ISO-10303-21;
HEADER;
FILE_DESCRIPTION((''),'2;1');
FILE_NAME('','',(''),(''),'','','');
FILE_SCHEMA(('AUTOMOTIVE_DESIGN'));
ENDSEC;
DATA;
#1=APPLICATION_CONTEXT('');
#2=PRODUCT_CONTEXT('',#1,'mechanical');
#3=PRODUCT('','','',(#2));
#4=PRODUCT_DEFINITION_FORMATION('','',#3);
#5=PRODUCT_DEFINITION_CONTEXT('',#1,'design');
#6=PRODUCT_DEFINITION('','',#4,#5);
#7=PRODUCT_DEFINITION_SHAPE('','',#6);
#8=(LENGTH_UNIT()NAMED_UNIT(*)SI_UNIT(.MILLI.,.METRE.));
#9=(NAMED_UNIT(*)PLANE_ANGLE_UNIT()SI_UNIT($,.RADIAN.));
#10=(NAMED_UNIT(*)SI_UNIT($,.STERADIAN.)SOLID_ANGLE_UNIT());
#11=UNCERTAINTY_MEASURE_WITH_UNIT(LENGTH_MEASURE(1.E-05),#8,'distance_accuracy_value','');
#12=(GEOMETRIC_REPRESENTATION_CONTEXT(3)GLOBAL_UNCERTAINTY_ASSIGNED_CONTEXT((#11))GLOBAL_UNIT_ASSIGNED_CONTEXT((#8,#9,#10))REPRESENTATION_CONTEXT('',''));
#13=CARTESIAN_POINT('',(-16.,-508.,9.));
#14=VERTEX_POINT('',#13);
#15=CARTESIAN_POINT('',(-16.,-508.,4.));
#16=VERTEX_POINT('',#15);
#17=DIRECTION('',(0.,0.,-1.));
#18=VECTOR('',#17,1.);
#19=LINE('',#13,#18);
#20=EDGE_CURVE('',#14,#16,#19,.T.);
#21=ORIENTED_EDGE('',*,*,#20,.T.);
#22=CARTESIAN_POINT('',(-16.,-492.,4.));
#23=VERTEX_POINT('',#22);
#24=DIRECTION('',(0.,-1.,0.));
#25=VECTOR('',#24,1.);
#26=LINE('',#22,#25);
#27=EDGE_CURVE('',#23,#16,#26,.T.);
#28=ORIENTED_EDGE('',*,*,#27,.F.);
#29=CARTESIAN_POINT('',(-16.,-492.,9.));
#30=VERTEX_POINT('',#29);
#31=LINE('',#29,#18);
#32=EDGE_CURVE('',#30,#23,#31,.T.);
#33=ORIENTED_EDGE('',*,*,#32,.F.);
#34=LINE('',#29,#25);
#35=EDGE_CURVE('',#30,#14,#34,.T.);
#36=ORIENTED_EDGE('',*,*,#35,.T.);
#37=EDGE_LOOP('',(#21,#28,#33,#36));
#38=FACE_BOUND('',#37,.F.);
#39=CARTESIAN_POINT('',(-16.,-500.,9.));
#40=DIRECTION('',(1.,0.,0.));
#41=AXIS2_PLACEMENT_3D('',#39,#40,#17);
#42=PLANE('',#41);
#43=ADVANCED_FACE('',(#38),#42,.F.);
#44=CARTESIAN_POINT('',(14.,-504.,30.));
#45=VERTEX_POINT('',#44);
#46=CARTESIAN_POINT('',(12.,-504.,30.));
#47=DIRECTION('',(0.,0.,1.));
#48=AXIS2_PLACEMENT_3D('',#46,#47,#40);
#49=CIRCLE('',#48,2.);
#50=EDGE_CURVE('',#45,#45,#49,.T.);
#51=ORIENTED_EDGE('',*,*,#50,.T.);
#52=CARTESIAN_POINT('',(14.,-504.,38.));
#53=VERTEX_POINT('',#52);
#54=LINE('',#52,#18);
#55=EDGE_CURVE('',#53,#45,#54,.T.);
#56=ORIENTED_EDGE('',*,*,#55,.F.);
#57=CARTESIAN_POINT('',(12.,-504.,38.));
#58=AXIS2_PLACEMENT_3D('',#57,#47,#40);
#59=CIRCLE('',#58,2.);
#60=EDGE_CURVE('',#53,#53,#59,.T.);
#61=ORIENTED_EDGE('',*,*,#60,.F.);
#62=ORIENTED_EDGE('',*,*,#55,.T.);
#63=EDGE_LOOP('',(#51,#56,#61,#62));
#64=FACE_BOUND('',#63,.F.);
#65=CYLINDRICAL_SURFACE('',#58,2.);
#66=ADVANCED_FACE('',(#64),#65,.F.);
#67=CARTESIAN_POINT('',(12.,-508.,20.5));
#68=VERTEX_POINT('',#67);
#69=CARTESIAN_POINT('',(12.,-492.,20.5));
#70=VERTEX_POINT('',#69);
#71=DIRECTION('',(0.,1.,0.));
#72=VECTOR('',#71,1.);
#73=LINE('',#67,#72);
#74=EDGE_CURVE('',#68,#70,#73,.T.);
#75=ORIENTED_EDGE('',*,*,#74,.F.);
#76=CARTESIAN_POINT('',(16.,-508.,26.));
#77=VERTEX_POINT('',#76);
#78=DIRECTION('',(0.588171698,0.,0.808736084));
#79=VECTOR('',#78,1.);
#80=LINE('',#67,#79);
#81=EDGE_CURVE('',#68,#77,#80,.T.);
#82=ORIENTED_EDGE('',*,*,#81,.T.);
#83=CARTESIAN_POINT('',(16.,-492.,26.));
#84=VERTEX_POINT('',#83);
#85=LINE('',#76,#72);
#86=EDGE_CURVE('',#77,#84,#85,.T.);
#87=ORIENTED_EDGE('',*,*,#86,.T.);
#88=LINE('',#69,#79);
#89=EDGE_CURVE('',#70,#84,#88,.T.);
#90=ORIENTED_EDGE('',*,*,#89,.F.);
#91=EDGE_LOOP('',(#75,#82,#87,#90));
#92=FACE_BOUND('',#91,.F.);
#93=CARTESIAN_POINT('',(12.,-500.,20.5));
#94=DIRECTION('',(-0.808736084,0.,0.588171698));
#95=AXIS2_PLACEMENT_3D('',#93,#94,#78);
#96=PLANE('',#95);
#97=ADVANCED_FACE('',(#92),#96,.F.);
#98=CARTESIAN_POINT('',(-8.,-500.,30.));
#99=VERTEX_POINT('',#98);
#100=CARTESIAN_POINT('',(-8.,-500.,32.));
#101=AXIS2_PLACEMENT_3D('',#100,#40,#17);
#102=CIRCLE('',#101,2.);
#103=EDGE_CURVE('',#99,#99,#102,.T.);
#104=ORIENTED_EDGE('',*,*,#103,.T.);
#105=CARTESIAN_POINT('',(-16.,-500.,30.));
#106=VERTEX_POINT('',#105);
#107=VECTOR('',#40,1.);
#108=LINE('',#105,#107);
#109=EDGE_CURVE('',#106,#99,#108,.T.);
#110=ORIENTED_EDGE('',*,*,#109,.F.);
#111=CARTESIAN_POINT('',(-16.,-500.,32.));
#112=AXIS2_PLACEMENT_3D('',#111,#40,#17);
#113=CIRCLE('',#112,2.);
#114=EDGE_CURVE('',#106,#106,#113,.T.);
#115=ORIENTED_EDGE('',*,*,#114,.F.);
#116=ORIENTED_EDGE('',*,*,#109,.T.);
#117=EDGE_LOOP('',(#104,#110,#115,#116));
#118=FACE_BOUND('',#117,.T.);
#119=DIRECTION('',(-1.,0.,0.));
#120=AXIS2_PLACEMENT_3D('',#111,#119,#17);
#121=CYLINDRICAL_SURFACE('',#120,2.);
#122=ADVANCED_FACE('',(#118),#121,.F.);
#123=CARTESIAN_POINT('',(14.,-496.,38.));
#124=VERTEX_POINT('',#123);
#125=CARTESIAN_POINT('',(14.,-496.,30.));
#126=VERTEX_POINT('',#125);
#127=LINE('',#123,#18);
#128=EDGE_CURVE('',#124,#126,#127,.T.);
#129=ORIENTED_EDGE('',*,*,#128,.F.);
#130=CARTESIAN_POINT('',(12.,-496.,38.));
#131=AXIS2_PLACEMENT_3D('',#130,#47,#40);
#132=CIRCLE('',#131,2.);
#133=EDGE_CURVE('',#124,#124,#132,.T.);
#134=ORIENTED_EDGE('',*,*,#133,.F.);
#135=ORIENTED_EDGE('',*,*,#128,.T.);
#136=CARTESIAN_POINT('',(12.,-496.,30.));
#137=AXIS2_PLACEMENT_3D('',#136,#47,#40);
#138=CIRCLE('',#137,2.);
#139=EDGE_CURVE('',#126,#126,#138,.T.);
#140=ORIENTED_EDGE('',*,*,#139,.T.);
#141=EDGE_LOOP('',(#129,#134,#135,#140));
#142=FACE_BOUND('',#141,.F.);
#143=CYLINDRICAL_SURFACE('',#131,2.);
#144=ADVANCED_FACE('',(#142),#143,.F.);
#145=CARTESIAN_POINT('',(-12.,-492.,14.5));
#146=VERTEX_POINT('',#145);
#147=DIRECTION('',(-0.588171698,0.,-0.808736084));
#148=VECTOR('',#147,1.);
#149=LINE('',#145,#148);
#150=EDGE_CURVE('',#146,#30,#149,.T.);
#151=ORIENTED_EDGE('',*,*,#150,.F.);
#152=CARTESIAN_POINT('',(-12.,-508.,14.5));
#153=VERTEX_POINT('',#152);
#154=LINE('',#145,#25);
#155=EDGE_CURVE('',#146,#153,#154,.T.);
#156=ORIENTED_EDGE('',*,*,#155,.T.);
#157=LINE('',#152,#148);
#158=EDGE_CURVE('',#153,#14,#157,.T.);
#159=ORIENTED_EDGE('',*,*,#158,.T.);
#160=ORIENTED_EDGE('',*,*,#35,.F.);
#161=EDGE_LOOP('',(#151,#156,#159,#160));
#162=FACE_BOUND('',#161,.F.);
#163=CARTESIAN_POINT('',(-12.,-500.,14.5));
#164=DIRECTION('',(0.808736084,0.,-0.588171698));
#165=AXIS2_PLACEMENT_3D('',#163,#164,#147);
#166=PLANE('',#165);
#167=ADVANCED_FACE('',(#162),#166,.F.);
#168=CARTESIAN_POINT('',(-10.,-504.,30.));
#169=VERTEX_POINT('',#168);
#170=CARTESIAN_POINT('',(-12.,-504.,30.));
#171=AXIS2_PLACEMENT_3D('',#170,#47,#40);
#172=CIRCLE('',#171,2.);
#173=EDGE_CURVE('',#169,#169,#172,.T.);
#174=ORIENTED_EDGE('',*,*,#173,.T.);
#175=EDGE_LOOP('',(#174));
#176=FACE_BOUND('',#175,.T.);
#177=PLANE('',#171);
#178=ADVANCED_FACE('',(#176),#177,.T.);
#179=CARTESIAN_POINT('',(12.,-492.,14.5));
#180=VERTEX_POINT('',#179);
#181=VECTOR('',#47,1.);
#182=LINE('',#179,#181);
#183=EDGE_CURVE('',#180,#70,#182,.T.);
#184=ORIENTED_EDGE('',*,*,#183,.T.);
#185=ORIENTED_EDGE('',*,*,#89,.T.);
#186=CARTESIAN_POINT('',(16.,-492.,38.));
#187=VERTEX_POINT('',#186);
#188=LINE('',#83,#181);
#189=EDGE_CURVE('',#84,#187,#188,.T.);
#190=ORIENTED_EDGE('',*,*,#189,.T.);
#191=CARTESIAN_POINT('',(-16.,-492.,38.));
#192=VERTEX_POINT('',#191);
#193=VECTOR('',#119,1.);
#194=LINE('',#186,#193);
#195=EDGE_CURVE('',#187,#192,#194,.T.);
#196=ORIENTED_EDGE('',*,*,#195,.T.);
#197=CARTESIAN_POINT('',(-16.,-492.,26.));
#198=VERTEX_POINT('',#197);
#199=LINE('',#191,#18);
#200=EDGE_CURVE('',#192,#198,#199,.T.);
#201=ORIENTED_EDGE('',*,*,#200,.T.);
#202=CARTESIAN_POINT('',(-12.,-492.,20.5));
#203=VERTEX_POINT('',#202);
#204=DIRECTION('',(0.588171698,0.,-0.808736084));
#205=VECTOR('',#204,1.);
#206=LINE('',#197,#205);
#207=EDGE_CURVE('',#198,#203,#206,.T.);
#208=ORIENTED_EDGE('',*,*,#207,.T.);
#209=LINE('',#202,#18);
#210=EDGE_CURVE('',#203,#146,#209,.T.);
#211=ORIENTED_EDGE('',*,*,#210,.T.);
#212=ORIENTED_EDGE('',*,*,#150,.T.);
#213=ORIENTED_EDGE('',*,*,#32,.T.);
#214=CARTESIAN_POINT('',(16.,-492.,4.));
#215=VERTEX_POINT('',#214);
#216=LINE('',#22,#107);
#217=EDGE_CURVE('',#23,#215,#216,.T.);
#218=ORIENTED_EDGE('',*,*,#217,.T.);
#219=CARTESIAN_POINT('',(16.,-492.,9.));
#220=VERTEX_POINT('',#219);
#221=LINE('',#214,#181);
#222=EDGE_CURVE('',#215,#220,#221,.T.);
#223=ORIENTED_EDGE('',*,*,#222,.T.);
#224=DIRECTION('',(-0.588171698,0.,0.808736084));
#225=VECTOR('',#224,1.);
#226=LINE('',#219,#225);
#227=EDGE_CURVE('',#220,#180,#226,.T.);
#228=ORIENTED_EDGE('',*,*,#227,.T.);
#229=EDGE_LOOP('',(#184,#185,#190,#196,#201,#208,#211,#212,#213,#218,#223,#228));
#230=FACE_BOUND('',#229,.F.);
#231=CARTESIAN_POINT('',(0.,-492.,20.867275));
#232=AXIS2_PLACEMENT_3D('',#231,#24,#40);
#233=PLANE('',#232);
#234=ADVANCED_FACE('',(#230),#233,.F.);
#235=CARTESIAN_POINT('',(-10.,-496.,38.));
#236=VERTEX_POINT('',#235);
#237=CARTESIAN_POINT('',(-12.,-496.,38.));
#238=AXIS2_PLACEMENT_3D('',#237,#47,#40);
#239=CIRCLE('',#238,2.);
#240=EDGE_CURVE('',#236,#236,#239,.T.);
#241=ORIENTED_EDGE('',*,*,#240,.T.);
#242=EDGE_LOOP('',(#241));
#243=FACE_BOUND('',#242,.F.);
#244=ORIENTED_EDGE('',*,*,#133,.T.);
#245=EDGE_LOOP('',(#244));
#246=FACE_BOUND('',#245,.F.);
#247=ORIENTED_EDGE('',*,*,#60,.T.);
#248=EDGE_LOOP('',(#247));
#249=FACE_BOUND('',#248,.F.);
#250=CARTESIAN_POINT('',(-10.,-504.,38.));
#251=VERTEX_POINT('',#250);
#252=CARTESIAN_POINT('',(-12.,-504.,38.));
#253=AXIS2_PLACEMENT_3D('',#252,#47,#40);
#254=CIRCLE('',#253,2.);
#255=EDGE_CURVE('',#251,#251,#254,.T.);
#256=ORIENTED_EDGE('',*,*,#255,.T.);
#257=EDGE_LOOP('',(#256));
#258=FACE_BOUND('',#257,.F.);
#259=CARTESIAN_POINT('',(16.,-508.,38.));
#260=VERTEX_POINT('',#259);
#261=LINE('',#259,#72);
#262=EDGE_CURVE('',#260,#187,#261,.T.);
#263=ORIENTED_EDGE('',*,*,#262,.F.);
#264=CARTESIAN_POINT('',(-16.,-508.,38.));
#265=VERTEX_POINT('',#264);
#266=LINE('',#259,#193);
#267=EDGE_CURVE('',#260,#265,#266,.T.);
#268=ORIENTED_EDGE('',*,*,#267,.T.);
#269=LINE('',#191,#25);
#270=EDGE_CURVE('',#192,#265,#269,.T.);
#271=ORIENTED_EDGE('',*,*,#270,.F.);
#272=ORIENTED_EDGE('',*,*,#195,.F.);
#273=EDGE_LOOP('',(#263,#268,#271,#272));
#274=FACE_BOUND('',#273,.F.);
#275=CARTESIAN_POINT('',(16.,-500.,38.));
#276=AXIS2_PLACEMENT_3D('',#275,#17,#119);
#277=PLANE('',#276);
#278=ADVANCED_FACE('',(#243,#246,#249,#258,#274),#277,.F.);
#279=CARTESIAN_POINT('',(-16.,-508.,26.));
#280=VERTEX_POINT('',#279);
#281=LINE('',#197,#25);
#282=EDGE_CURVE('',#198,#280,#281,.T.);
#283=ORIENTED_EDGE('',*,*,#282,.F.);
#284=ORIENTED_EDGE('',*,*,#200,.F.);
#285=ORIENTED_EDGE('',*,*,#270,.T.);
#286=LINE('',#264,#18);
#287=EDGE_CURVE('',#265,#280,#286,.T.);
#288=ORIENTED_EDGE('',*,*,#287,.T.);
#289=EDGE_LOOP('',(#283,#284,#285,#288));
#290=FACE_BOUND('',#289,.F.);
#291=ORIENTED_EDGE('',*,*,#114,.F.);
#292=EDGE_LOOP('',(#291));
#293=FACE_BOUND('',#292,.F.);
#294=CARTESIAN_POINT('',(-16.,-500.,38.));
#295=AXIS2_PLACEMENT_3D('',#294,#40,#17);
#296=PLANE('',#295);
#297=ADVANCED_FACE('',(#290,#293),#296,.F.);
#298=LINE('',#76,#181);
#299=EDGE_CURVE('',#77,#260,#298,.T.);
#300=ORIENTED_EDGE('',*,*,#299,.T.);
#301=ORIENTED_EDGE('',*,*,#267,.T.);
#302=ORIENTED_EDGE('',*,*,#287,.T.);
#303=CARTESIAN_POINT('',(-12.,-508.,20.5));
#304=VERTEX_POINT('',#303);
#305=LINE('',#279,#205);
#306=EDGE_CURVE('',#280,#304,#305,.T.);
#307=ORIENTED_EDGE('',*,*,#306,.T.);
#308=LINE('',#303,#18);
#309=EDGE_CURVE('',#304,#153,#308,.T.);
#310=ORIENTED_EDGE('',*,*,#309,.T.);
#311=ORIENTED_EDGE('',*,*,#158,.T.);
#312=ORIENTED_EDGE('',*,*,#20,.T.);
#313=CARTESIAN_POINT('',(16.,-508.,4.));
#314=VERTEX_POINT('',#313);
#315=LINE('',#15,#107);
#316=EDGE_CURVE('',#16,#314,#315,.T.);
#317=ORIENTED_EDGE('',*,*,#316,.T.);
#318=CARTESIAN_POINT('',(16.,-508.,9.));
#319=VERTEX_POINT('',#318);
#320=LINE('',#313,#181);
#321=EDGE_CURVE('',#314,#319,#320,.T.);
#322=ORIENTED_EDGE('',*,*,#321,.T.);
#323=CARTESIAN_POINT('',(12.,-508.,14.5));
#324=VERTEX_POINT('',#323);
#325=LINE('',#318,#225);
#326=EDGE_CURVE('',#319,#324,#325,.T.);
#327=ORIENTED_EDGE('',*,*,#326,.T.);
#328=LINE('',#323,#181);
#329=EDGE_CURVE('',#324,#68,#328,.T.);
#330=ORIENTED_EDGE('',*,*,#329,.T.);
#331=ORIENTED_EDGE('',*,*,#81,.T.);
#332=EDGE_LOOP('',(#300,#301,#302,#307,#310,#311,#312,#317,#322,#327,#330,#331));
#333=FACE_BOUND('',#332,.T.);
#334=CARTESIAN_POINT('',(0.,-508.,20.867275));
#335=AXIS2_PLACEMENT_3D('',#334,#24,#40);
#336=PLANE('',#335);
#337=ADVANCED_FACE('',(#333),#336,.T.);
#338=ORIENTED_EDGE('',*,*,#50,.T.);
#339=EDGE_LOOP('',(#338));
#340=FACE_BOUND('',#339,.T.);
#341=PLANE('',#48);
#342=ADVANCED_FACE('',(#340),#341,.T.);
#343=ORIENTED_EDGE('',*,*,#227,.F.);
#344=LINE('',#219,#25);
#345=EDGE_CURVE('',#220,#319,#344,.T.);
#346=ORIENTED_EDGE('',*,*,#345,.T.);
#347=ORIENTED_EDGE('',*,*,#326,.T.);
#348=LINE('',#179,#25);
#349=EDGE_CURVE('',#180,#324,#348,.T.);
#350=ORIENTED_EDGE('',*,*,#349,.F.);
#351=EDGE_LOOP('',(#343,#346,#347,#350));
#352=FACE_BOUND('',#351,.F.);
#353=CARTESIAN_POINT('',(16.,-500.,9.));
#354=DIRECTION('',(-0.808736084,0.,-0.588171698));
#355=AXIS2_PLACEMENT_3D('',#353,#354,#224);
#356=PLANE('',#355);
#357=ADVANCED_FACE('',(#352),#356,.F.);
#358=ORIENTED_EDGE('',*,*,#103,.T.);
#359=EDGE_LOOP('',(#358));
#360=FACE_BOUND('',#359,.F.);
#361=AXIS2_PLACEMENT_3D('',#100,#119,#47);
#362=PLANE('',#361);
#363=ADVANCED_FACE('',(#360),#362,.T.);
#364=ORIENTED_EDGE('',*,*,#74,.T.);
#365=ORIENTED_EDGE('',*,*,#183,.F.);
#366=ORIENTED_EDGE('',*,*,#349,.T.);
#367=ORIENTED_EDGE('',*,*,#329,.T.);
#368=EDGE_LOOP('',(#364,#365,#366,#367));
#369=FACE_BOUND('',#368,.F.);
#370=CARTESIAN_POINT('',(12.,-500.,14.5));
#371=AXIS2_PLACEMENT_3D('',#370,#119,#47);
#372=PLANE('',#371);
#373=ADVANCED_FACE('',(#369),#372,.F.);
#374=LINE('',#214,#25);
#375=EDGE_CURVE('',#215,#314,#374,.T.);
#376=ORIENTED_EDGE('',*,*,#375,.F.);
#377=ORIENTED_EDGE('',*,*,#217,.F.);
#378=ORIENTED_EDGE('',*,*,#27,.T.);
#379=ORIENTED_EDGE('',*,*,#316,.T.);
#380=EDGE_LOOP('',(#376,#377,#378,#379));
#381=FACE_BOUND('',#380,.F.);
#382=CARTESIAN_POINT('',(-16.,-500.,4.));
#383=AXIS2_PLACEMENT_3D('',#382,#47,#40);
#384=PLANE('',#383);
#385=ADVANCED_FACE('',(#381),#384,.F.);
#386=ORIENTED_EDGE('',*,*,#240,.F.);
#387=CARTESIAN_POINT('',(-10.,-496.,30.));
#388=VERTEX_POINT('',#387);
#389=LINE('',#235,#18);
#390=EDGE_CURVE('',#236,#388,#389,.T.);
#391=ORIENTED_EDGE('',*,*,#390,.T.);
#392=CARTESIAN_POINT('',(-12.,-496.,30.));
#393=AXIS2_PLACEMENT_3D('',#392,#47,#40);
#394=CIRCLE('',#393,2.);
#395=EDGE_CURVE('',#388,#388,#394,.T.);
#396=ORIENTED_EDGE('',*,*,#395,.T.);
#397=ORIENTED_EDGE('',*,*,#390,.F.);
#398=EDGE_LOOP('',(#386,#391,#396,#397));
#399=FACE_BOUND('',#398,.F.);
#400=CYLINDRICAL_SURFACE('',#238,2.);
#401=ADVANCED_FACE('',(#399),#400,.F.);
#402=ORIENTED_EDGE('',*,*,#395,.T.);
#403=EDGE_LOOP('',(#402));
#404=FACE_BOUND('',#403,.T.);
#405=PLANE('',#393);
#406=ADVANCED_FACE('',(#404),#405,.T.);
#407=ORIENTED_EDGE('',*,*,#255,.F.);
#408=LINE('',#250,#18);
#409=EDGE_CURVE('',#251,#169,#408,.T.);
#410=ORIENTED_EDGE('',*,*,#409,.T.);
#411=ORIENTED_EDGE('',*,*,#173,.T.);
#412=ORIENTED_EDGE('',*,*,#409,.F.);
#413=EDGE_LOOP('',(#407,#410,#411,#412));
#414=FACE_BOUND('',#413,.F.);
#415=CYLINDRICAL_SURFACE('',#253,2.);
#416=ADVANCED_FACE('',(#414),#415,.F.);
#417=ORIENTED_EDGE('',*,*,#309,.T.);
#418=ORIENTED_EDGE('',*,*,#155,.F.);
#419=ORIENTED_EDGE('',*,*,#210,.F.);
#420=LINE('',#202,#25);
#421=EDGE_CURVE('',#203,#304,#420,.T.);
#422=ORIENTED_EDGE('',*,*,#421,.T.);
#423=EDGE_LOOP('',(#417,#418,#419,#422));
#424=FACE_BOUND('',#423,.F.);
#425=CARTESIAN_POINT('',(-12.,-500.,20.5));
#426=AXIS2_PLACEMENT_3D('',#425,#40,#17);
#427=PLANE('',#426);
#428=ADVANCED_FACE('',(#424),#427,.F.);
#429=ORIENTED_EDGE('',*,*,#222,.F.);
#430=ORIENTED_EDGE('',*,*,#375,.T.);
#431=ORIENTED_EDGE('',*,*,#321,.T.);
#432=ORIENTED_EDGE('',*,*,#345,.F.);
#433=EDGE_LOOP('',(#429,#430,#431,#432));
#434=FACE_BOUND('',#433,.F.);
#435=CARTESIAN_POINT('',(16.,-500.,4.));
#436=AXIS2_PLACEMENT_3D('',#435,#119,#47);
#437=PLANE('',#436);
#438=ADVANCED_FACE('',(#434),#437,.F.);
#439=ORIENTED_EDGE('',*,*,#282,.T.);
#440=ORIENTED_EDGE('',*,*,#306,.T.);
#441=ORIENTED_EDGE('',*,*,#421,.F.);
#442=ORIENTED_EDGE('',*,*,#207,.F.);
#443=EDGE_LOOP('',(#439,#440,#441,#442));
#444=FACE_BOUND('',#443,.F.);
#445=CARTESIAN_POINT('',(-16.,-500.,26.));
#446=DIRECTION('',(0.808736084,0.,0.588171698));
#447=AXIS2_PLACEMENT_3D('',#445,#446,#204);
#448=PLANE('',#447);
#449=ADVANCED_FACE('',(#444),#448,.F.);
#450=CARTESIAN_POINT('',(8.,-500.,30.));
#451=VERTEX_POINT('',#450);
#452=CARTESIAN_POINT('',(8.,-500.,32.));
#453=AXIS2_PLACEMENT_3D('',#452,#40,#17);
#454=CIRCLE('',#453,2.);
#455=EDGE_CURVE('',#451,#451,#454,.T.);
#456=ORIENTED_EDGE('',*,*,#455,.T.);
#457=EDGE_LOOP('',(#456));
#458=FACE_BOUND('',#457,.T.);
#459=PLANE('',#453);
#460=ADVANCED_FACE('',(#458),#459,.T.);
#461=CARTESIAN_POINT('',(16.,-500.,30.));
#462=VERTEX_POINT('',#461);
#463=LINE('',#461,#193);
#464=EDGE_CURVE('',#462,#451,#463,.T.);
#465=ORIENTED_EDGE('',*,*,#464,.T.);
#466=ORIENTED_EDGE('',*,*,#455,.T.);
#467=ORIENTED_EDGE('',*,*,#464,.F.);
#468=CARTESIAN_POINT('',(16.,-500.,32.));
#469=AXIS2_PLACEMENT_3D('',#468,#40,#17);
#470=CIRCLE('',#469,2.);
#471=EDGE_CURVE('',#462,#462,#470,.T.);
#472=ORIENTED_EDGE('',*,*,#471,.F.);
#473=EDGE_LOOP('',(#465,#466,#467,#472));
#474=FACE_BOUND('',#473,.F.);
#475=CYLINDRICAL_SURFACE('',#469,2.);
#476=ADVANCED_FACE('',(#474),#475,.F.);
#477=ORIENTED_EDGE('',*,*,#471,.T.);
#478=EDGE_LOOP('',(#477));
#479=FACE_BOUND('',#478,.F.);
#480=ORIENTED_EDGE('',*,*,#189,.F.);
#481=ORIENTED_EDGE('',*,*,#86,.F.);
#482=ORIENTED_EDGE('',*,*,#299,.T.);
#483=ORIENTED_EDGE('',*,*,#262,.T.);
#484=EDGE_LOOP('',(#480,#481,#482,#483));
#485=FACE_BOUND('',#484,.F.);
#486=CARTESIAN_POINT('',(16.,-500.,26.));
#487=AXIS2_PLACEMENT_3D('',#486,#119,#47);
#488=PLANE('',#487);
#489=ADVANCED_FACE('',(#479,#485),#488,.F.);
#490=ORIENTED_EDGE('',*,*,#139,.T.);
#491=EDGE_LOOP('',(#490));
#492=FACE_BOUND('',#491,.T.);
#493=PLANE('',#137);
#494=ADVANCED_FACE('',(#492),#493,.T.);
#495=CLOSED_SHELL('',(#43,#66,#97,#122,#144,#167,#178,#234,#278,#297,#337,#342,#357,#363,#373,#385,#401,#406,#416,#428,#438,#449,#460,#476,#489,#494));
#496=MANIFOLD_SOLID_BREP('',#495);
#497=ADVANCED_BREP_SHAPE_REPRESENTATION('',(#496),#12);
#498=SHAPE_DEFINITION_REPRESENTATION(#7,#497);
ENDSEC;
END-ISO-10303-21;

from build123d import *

# Parameters (mm, degrees)
PAD026_DEPTH            = 8
SKETCH051_R             = 2
POCKET019_DEPTH         = 8
SKETCH052_R             = 2
POCKET020_DEPTH         = 8
BODY020_PLACEMENT_ANGLE = 180


with BuildPart() as part:
    # Sketch050 → Pad026 (new body, symmetric)
    with BuildSketch(Plane.XZ):
        Polygon((-16, 38), (16, 38), (16, 26), (12, 20.5), (12, 14.5), (16, 9), (16, 4), (-16, 4), (-16, 9), (-12, 14.5), (-12, 20.5), (-16, 26), align=None)
    extrude(amount=PAD026_DEPTH, both=True)

    # Sketch051 (on Face1 of Pad026) → Pocket019 (cut)
    with BuildSketch(Plane(origin=(0, 0, 38), x_dir=(-1, 0, 0), z_dir=(0, 0, 1))):
        with Locations((-12, 4)):
            Circle(SKETCH051_R)
        with Locations((-12, -4)):
            Circle(SKETCH051_R)
        with Locations((12, -4)):
            Circle(SKETCH051_R)
        with Locations((12, 4)):
            Circle(SKETCH051_R)
    extrude(amount=-POCKET019_DEPTH, mode=Mode.SUBTRACT)

    # Sketch052 (on Face2 of Pocket019) → Pocket020 (cut)
    with BuildSketch(Plane(origin=(-16, 0, 0), x_dir=(0, 0, -1), z_dir=(-1, 0, 0))):
        with Locations((-32, 0)):
            Circle(SKETCH052_R)
    pocket020 = extrude(amount=-POCKET020_DEPTH, mode=Mode.SUBTRACT)

    # Mirrored001: Pocket020 across YZ
    add(pocket020.mirror(Plane.YZ), mode=Mode.SUBTRACT)


with BuildPart() as part_1:
    # Body020 placement: moved
    add(part.part.moved(Location((0, -500, 0))).rotate(Axis((0, -500, 0), (0, 0, 1)), BODY020_PLACEMENT_ANGLE))


solid = part_1.part
